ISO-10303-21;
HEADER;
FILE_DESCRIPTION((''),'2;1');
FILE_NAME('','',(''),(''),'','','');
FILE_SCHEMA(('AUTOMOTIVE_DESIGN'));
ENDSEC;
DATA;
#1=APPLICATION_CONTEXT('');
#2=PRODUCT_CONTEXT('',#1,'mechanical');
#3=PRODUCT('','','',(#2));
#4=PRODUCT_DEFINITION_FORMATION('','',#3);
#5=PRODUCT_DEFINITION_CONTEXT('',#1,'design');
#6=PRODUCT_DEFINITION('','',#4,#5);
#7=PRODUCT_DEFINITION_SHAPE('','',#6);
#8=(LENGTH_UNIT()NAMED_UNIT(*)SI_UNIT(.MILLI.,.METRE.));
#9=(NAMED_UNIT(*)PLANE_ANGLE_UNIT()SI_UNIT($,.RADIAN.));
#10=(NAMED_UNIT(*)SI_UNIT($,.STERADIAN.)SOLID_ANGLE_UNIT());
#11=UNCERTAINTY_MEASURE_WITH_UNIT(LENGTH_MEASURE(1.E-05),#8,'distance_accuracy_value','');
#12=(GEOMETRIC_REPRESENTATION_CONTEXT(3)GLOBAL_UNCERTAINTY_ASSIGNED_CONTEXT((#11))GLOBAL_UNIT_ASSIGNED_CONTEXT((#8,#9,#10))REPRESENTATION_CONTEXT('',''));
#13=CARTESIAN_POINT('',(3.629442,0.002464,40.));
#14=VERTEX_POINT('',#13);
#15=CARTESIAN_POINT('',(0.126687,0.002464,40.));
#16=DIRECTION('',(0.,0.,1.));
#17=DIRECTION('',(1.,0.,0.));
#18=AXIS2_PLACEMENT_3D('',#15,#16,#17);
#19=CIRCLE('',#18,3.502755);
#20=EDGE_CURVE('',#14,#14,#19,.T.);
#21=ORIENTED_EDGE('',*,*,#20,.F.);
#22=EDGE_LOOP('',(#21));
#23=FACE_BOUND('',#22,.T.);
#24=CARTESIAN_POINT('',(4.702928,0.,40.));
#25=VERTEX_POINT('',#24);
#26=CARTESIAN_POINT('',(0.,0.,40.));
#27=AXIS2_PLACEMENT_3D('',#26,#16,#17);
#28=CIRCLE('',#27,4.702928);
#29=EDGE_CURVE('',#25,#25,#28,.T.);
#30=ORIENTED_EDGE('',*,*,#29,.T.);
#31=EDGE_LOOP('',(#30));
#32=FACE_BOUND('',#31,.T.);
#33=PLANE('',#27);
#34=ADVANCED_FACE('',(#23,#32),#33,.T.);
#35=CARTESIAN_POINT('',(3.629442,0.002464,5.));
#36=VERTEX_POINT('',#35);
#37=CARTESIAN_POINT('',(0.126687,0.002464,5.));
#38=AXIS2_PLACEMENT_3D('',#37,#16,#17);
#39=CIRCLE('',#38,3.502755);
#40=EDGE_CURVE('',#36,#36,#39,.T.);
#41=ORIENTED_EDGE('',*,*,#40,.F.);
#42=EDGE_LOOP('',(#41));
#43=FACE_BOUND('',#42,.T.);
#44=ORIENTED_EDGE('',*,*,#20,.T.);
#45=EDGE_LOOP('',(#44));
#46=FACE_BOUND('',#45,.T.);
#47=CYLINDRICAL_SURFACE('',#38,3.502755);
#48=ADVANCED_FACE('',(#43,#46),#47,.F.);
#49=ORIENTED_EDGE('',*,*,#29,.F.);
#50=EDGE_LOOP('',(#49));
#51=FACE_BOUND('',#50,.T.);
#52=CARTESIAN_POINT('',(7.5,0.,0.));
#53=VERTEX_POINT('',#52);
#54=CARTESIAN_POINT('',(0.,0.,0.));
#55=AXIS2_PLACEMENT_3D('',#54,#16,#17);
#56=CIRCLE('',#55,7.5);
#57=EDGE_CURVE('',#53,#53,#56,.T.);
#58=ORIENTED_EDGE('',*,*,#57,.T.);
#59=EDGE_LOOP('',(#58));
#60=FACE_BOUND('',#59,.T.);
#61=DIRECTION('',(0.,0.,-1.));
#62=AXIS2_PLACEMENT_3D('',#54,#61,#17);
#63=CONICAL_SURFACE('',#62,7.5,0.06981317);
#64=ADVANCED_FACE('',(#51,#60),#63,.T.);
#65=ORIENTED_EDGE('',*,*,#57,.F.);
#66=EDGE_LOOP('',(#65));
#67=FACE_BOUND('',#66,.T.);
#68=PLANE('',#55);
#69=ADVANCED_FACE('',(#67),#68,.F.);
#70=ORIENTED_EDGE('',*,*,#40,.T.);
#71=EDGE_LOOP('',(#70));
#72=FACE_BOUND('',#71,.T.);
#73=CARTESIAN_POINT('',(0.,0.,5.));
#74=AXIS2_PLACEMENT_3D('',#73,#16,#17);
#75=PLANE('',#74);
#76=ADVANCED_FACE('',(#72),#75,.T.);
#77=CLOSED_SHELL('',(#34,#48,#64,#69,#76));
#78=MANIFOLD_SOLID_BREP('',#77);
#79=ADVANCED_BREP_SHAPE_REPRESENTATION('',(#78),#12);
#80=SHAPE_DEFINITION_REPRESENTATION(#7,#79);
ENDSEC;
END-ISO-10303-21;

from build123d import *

# Parameters (mm, degrees)
SKIZZE1_R                       = 7.5
AUFSATZ_LINEAR_AUSTRAGEN2_DEPTH = 40
AUFSATZ_LINEAR_AUSTRAGEN2_TAPER = 4
SKIZZE3_R                       = 3.502754897
SCHNITT_LINEAR_AUSTRAGEN1_DEPTH = 35


with BuildPart() as part:
    # Skizze1 → Aufsatz-Linear austragen2 (new body)
    with BuildSketch(Plane.XY):
        Circle(SKIZZE1_R)
    extrude(amount=AUFSATZ_LINEAR_AUSTRAGEN2_DEPTH, taper=AUFSATZ_LINEAR_AUSTRAGEN2_TAPER)

    # Skizze3 → Schnitt-Linear austragen1 (cut)
    with BuildSketch(Plane.XY.offset(40)):
        with Locations((0.126687283, 0.002464382)):
            Circle(SKIZZE3_R)
    extrude(amount=-SCHNITT_LINEAR_AUSTRAGEN1_DEPTH, mode=Mode.SUBTRACT)


solid = part.part
